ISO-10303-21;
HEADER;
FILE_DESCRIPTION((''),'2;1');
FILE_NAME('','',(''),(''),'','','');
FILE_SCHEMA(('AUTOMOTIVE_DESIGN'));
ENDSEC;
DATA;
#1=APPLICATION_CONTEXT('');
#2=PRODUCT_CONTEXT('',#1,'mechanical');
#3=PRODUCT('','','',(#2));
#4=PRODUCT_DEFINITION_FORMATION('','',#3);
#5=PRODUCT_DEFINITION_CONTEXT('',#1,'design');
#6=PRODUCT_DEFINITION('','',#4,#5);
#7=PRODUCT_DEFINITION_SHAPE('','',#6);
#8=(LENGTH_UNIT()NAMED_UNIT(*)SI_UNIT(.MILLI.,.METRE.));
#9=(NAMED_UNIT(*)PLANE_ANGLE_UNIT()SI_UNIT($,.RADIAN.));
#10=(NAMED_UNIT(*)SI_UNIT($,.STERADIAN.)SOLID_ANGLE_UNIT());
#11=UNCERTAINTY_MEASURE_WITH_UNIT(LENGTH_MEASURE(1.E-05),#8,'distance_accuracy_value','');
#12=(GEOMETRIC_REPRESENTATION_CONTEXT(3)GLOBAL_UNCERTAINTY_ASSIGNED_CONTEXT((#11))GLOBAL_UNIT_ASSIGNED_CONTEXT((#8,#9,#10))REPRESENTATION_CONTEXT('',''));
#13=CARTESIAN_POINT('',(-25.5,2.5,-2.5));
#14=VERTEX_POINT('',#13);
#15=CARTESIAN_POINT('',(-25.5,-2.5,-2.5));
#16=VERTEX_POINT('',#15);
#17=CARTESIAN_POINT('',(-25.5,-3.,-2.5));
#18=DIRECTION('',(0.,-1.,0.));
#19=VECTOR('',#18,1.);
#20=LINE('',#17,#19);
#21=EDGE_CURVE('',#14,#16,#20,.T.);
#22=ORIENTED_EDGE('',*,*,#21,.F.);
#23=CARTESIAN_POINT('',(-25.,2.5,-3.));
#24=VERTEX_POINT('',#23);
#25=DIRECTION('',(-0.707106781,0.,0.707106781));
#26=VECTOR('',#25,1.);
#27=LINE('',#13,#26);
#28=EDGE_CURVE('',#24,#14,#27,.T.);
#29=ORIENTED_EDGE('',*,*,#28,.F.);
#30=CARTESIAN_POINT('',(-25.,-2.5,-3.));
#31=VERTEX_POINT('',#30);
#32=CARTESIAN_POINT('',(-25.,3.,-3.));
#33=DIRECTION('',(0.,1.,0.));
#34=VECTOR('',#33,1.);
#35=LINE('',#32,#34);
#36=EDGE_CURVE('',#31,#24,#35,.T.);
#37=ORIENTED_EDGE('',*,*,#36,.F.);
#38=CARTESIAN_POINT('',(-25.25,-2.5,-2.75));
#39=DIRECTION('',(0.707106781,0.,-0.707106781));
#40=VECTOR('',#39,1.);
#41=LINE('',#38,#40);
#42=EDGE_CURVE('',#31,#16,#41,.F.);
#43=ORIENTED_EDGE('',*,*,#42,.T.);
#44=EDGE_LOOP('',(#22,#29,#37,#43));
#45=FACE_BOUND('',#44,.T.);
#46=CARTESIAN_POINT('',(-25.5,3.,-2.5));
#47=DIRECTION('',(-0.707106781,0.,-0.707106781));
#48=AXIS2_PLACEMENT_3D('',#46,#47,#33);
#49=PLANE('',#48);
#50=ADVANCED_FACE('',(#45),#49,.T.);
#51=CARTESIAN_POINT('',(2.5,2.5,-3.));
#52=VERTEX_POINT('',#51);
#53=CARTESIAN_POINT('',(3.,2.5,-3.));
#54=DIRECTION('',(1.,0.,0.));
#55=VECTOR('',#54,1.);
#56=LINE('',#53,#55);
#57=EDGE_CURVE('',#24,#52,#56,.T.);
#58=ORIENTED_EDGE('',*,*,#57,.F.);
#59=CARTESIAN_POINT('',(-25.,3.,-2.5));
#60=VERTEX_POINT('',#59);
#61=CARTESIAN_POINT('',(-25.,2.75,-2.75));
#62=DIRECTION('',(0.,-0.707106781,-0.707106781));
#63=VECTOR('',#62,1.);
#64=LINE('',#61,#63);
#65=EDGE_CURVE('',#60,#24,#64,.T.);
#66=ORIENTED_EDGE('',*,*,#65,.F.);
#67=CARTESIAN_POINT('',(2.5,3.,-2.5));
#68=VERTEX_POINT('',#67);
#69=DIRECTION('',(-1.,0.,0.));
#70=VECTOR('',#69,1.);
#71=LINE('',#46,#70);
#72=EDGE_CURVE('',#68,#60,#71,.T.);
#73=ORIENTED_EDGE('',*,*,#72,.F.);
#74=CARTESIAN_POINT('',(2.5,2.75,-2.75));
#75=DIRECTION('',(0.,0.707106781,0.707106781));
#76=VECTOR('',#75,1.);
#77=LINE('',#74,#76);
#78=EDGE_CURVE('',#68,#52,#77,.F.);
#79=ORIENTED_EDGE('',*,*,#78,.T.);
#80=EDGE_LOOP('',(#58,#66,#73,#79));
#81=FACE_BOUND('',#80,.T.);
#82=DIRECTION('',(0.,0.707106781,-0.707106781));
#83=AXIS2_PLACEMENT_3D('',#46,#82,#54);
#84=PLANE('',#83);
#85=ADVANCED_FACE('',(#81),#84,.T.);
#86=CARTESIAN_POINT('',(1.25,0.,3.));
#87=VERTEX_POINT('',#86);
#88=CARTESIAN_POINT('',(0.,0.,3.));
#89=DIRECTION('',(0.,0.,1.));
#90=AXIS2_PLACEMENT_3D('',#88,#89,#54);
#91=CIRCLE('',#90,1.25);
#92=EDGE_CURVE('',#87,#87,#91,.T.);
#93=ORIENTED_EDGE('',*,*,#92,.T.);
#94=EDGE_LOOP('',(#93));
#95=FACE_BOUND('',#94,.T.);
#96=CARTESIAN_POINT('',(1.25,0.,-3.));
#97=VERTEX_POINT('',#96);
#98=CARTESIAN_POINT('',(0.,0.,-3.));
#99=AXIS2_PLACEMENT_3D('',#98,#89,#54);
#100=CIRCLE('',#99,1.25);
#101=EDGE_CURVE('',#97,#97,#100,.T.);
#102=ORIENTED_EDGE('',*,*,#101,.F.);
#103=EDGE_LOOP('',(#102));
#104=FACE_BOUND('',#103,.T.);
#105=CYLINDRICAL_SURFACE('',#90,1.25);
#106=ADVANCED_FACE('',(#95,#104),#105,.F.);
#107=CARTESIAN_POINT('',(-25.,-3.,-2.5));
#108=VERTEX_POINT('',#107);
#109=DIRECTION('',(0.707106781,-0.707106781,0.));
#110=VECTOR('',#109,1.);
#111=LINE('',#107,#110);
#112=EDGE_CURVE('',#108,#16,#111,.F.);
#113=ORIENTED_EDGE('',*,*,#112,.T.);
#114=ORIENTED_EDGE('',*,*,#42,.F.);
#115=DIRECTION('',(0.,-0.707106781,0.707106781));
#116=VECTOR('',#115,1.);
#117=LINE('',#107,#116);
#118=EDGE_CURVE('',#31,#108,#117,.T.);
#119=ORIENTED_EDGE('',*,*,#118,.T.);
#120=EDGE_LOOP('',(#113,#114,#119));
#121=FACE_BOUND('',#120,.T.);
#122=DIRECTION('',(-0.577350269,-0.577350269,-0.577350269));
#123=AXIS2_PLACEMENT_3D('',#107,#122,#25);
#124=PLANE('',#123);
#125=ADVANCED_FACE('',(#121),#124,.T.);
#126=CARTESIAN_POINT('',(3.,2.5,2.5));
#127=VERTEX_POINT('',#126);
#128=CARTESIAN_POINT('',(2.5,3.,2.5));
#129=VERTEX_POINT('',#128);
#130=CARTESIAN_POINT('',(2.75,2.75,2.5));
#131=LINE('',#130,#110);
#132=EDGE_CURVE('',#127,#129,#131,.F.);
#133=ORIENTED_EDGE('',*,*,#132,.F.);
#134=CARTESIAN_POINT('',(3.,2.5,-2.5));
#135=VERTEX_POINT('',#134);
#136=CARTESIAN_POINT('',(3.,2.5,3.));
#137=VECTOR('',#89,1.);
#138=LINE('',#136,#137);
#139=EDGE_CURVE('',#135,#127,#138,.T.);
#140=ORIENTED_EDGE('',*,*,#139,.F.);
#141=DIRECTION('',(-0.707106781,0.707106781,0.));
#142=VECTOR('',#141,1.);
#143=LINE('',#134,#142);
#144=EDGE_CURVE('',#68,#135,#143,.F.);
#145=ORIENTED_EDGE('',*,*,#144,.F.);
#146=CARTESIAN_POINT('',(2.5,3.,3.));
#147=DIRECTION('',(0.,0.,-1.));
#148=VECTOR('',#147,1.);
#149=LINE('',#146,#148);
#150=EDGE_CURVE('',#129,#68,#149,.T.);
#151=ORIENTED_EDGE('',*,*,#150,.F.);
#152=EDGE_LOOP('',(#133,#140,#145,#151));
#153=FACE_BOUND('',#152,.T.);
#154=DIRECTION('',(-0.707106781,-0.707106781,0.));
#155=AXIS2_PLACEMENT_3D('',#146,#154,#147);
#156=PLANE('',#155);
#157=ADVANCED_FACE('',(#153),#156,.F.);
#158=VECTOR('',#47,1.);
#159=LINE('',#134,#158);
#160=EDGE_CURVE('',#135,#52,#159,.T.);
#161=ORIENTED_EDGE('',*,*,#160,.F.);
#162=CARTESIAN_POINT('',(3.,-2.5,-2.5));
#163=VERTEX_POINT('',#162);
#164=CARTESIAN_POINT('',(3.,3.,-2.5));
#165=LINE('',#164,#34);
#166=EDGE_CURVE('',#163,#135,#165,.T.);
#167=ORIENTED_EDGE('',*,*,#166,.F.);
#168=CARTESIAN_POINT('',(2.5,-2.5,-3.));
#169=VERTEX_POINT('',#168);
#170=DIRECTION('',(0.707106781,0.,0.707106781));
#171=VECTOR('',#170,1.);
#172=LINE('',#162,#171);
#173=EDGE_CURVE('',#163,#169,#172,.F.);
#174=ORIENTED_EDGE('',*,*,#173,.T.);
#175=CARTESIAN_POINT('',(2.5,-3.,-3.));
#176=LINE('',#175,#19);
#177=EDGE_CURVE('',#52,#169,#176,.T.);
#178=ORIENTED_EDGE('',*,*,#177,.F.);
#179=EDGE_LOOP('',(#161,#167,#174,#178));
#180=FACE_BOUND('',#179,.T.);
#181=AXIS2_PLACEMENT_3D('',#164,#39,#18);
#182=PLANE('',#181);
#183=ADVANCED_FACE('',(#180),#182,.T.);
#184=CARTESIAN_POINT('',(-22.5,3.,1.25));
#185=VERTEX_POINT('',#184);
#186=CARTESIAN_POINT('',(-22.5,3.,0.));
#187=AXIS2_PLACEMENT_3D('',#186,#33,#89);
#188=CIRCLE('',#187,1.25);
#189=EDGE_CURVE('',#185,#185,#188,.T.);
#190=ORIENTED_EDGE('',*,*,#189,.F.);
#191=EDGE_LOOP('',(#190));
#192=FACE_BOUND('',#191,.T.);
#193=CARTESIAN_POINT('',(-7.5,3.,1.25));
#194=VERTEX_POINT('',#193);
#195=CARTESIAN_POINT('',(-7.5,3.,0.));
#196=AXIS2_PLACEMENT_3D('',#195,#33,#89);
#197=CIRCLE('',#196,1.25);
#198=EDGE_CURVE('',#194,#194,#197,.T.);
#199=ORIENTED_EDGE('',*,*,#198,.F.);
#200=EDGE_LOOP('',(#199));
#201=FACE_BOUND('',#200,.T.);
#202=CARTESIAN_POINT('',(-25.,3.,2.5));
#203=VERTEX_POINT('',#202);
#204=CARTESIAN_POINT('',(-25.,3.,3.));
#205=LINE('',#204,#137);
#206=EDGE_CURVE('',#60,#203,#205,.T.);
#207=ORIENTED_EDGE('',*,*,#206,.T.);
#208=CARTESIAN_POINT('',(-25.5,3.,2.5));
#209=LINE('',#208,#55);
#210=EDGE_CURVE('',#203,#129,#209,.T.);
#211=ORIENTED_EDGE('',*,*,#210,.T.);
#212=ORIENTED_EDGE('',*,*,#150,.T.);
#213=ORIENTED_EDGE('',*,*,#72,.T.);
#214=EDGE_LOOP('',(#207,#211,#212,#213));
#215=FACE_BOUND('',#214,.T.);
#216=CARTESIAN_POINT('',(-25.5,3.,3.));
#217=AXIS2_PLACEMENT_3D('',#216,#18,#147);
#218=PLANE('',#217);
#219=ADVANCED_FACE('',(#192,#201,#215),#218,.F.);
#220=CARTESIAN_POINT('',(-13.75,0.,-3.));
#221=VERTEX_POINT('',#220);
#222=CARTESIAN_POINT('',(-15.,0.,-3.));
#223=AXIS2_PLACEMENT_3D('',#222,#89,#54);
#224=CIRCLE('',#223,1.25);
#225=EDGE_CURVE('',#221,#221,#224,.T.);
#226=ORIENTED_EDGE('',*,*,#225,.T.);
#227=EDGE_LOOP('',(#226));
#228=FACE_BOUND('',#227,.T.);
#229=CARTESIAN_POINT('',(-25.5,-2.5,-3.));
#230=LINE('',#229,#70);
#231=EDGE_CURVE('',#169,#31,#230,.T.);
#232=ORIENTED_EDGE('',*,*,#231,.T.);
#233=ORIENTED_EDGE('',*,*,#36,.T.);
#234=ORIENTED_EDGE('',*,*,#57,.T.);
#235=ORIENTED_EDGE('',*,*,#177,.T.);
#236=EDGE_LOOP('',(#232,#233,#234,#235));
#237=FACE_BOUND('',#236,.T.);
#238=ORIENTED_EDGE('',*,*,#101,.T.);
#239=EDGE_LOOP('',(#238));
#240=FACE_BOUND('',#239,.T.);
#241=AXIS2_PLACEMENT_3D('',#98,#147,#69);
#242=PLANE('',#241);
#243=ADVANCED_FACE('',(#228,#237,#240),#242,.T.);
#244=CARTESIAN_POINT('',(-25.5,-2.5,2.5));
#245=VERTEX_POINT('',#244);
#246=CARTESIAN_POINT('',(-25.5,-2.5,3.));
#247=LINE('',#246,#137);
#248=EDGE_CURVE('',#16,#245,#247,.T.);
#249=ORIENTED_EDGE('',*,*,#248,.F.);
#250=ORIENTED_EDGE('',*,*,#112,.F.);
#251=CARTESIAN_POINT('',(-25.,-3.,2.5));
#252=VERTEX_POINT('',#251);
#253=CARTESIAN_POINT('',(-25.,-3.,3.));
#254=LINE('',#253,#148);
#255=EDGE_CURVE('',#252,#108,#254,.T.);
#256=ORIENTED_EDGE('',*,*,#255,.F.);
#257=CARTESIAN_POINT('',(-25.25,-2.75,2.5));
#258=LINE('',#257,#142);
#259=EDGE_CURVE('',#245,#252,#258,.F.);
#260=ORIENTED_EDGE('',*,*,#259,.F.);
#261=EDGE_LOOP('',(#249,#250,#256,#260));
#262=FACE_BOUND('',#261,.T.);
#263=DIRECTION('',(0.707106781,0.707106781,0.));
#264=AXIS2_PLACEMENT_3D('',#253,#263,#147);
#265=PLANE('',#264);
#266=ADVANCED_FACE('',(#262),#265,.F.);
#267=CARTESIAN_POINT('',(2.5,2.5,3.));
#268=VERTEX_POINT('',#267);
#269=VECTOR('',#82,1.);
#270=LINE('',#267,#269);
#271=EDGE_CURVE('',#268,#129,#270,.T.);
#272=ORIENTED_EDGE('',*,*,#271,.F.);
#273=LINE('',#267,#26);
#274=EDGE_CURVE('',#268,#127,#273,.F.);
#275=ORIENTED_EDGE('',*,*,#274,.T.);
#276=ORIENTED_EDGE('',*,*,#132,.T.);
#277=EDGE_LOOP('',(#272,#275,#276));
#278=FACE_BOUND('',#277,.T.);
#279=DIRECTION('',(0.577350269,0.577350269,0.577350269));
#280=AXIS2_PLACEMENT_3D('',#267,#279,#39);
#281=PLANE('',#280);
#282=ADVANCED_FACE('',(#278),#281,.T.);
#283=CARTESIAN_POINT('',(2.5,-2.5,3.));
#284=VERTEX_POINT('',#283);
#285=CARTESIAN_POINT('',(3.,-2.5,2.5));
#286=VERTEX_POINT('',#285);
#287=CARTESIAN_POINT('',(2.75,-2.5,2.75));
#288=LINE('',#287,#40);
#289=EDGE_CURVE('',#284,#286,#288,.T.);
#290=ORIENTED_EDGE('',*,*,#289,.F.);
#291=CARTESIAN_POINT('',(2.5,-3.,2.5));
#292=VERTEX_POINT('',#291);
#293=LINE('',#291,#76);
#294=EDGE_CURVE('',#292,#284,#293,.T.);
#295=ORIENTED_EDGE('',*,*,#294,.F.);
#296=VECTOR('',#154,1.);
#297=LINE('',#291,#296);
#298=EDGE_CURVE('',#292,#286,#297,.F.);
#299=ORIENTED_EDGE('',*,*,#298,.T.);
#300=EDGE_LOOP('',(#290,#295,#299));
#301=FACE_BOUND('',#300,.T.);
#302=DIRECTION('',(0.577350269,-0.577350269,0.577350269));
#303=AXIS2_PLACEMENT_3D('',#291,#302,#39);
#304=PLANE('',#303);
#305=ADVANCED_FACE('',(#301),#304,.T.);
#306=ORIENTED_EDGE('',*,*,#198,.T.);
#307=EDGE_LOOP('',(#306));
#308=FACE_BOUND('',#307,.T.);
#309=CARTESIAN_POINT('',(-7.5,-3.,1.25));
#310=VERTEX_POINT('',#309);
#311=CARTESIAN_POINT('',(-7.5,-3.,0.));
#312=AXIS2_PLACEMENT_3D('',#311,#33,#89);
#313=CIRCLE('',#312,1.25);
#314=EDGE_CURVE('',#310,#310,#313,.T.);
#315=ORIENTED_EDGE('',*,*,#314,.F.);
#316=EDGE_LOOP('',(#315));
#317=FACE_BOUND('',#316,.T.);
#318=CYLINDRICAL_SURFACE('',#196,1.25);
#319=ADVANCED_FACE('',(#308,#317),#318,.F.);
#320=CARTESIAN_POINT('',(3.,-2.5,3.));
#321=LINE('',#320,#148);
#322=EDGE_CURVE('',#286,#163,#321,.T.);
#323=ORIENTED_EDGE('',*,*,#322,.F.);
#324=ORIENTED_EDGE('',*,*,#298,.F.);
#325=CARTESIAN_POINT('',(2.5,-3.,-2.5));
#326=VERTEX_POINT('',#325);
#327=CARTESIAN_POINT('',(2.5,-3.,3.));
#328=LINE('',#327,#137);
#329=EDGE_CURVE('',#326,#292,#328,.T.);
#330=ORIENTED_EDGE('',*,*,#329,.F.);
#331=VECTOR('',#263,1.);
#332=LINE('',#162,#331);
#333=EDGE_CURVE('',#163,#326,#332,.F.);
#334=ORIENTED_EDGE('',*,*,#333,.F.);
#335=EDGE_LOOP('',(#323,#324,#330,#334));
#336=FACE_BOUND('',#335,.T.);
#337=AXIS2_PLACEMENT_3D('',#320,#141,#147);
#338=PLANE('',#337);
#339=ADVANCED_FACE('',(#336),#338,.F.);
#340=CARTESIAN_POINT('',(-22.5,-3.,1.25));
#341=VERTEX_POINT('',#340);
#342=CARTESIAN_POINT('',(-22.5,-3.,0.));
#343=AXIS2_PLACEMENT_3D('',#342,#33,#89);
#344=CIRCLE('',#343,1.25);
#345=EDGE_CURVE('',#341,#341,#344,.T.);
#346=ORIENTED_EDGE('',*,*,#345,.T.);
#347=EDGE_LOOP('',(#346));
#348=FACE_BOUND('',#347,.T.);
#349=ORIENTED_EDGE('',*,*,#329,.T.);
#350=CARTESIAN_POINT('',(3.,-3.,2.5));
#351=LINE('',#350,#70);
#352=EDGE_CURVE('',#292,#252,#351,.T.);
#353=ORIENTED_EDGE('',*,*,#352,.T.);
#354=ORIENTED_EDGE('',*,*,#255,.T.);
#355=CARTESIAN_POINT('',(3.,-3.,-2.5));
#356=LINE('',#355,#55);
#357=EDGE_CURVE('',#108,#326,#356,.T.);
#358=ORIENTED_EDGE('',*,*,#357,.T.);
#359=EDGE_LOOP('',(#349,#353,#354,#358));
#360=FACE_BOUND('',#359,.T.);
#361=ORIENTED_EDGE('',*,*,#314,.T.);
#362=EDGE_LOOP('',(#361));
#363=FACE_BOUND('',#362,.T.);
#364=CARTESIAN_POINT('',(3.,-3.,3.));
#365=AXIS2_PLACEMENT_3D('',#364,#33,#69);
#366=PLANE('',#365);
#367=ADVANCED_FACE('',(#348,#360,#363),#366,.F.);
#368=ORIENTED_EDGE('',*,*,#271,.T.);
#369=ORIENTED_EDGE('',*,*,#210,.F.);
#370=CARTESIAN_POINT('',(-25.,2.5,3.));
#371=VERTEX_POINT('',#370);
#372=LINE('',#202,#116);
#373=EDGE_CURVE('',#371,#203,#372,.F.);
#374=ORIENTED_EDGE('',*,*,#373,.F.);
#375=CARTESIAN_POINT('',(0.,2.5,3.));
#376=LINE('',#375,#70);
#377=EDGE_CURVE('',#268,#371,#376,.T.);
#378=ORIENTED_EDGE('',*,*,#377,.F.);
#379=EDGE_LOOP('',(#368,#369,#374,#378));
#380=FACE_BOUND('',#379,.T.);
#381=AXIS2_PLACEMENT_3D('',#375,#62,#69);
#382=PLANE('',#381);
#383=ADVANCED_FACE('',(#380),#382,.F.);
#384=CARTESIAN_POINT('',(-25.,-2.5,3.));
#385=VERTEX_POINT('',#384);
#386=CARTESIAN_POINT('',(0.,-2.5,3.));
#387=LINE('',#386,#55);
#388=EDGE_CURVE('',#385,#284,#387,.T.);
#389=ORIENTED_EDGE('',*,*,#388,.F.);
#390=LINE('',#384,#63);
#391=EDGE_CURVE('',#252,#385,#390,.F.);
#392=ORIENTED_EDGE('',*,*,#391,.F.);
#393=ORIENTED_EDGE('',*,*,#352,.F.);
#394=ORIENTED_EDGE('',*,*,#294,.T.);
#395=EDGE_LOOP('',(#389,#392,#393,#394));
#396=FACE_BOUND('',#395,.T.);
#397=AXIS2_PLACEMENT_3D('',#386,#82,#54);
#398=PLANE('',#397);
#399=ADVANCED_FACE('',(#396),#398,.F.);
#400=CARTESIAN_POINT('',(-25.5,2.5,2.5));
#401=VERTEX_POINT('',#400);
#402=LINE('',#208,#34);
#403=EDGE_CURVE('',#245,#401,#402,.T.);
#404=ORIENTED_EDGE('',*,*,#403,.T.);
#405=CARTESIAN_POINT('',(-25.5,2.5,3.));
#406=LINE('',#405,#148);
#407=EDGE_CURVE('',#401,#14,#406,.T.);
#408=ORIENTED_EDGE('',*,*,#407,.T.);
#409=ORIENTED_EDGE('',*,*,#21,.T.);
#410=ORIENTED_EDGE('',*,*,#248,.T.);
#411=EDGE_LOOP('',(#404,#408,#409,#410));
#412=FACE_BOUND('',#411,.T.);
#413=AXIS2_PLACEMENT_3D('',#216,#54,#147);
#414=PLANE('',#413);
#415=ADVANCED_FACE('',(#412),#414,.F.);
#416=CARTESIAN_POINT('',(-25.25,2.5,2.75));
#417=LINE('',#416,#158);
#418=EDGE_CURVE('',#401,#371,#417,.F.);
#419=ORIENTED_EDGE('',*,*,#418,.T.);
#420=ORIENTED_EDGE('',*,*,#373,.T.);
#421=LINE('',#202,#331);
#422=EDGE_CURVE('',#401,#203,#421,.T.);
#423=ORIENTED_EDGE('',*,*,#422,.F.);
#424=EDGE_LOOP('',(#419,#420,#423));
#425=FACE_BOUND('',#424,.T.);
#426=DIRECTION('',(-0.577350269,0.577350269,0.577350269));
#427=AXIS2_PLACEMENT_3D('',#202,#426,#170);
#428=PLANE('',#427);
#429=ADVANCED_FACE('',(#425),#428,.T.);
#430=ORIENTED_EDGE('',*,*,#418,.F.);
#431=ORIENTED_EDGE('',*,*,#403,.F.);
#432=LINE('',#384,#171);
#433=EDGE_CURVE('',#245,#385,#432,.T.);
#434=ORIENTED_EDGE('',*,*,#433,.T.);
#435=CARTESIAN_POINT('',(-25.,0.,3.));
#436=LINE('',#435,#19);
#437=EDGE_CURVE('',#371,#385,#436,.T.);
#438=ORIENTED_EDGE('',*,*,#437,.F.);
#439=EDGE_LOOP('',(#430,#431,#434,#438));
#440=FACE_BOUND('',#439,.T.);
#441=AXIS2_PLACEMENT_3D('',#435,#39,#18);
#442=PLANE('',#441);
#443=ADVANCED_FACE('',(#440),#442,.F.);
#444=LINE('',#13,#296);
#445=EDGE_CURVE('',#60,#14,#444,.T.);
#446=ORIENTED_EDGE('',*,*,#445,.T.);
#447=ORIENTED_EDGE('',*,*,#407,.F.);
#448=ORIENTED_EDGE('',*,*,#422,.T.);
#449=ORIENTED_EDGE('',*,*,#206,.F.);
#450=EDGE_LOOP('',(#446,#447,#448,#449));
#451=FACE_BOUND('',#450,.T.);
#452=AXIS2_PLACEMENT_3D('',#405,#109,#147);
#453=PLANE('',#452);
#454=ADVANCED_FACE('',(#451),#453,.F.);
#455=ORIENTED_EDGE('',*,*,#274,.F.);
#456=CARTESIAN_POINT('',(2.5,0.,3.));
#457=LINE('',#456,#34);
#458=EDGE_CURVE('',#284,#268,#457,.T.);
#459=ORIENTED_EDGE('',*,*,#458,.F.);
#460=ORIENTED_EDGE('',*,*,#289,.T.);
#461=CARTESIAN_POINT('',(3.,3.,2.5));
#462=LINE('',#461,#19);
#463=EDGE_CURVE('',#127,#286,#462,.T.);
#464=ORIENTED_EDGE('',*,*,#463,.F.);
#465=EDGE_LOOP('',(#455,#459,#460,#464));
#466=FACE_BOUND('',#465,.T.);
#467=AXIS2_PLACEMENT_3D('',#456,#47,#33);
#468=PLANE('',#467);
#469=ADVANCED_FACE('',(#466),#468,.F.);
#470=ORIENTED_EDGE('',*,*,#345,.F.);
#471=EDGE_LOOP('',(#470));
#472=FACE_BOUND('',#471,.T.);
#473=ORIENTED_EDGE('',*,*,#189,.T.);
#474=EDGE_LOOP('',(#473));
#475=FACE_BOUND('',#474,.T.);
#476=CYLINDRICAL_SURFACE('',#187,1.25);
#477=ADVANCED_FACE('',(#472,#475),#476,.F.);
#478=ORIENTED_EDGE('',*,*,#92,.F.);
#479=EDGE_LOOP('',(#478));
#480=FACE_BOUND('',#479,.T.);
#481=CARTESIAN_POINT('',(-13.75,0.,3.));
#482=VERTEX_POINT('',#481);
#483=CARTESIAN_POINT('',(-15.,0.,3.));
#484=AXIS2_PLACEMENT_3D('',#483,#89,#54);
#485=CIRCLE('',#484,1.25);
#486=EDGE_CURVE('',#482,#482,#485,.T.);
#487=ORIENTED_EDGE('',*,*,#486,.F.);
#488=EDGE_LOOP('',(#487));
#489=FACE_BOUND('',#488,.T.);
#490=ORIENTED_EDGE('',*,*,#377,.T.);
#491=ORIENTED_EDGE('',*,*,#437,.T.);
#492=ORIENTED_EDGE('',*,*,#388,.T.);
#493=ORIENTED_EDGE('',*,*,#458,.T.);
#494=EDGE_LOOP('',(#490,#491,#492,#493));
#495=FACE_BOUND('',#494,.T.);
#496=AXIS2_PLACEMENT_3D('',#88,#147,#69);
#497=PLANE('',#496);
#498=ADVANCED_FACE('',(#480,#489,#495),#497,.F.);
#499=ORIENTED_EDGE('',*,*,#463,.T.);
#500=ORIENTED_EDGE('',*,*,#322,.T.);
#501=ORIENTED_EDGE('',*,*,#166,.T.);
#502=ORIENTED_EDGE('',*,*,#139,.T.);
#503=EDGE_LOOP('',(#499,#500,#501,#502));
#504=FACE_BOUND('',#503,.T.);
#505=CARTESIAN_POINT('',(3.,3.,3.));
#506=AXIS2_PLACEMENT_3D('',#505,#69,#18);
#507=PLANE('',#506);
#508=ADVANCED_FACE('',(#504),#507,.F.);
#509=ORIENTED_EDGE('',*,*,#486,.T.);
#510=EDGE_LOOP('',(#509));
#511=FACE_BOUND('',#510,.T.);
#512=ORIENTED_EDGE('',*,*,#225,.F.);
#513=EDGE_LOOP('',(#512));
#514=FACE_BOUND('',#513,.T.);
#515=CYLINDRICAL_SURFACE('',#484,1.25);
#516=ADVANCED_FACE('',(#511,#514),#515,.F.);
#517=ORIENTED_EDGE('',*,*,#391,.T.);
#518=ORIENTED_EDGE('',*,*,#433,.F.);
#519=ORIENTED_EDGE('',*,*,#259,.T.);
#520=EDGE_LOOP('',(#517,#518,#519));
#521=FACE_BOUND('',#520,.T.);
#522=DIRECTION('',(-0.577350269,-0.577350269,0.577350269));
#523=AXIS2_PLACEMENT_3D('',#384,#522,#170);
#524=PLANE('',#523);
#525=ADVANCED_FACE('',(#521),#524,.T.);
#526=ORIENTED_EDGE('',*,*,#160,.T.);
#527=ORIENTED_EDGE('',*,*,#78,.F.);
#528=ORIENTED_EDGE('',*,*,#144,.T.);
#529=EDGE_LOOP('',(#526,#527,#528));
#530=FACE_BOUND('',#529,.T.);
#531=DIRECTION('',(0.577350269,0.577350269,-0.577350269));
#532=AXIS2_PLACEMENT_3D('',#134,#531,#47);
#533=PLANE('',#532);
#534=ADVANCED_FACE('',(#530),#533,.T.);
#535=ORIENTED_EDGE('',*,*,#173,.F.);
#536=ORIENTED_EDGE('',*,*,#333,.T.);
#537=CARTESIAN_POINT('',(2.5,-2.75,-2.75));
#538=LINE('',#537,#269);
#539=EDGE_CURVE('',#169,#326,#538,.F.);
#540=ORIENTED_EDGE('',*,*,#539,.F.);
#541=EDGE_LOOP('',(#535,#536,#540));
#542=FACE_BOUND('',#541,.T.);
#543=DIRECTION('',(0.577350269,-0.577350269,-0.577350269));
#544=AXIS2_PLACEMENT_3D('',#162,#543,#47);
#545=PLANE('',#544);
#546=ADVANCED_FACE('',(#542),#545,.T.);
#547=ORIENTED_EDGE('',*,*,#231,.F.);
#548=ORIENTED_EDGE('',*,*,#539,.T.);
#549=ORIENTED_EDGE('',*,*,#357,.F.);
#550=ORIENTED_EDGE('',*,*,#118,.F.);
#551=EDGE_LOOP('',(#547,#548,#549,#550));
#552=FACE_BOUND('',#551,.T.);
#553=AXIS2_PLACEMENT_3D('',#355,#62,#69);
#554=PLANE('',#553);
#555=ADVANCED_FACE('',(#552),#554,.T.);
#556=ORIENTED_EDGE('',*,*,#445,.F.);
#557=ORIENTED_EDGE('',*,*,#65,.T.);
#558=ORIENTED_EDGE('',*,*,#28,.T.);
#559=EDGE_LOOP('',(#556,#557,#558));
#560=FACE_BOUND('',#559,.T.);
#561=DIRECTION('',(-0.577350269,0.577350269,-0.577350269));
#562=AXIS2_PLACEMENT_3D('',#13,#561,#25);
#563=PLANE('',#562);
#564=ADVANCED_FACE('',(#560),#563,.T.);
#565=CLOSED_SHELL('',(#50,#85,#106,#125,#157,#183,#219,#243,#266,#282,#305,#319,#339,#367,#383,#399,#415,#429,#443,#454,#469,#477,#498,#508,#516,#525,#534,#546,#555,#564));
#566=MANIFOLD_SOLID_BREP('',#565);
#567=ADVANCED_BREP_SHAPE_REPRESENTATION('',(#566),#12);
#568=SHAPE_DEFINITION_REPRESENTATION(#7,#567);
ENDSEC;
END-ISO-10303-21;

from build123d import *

# Parameters (mm, degrees)
SKETCH_2_W         = 28.5
SKETCH_2_H         = 6
SKETCH_2_R         = 0.5
EXTRUDE_1_DEPTH    = 3
HOLE_WIZARD_M3_1_D = 2.5
HOLE_WIZARD_M3_2_D = 2.5
CHAMFER_1_SIZE     = 0.5


with BuildPart() as part:
    # 草图2 → 凸台-拉伸1 (new body, symmetric)
    with BuildSketch(Plane.XY):
        with Locations((-11.25, 0)):
            Rectangle(SKETCH_2_W, SKETCH_2_H)
        with Locations((-15, 0)):
            Circle(SKETCH_2_R, mode=Mode.SUBTRACT)
        Circle(SKETCH_2_R, mode=Mode.SUBTRACT)
    extrude(amount=EXTRUDE_1_DEPTH, both=True)

    # M3 螺纹孔1 (through all)
    with Locations(Plane.XY.offset(3)):
        with Locations((0, 0), (-15, 0)):
            Hole(HOLE_WIZARD_M3_1_D / 2)

    # M3 螺纹孔2 (through all)
    with Locations(Plane(origin=(0, 3, 0), x_dir=(1, 0, 0), z_dir=(0, 1, 0))):
        with Locations((-7.5, 0), (-22.5, 0)):
            Hole(HOLE_WIZARD_M3_2_D / 2)

    # 倒角1
    chamfer_1_edges = [part.edges().sort_by_distance(p)[0] for p in [
        (-11.25, -3, 3),
        (3, 0, 3),
        (-11.25, 3, 3),
        (3, 0, -3),
        (-11.25, -3, -3),
        (-25.5, 0, -3),
        (-11.25, 3, -3),
        (-25.5, 0, 3),
        (3, 3, 0),
        (3, -3, 0),
        (-25.5, -3, 0),
        (-25.5, 3, 0),
    ]]
    chamfer(chamfer_1_edges, length=CHAMFER_1_SIZE)


solid = part.part
